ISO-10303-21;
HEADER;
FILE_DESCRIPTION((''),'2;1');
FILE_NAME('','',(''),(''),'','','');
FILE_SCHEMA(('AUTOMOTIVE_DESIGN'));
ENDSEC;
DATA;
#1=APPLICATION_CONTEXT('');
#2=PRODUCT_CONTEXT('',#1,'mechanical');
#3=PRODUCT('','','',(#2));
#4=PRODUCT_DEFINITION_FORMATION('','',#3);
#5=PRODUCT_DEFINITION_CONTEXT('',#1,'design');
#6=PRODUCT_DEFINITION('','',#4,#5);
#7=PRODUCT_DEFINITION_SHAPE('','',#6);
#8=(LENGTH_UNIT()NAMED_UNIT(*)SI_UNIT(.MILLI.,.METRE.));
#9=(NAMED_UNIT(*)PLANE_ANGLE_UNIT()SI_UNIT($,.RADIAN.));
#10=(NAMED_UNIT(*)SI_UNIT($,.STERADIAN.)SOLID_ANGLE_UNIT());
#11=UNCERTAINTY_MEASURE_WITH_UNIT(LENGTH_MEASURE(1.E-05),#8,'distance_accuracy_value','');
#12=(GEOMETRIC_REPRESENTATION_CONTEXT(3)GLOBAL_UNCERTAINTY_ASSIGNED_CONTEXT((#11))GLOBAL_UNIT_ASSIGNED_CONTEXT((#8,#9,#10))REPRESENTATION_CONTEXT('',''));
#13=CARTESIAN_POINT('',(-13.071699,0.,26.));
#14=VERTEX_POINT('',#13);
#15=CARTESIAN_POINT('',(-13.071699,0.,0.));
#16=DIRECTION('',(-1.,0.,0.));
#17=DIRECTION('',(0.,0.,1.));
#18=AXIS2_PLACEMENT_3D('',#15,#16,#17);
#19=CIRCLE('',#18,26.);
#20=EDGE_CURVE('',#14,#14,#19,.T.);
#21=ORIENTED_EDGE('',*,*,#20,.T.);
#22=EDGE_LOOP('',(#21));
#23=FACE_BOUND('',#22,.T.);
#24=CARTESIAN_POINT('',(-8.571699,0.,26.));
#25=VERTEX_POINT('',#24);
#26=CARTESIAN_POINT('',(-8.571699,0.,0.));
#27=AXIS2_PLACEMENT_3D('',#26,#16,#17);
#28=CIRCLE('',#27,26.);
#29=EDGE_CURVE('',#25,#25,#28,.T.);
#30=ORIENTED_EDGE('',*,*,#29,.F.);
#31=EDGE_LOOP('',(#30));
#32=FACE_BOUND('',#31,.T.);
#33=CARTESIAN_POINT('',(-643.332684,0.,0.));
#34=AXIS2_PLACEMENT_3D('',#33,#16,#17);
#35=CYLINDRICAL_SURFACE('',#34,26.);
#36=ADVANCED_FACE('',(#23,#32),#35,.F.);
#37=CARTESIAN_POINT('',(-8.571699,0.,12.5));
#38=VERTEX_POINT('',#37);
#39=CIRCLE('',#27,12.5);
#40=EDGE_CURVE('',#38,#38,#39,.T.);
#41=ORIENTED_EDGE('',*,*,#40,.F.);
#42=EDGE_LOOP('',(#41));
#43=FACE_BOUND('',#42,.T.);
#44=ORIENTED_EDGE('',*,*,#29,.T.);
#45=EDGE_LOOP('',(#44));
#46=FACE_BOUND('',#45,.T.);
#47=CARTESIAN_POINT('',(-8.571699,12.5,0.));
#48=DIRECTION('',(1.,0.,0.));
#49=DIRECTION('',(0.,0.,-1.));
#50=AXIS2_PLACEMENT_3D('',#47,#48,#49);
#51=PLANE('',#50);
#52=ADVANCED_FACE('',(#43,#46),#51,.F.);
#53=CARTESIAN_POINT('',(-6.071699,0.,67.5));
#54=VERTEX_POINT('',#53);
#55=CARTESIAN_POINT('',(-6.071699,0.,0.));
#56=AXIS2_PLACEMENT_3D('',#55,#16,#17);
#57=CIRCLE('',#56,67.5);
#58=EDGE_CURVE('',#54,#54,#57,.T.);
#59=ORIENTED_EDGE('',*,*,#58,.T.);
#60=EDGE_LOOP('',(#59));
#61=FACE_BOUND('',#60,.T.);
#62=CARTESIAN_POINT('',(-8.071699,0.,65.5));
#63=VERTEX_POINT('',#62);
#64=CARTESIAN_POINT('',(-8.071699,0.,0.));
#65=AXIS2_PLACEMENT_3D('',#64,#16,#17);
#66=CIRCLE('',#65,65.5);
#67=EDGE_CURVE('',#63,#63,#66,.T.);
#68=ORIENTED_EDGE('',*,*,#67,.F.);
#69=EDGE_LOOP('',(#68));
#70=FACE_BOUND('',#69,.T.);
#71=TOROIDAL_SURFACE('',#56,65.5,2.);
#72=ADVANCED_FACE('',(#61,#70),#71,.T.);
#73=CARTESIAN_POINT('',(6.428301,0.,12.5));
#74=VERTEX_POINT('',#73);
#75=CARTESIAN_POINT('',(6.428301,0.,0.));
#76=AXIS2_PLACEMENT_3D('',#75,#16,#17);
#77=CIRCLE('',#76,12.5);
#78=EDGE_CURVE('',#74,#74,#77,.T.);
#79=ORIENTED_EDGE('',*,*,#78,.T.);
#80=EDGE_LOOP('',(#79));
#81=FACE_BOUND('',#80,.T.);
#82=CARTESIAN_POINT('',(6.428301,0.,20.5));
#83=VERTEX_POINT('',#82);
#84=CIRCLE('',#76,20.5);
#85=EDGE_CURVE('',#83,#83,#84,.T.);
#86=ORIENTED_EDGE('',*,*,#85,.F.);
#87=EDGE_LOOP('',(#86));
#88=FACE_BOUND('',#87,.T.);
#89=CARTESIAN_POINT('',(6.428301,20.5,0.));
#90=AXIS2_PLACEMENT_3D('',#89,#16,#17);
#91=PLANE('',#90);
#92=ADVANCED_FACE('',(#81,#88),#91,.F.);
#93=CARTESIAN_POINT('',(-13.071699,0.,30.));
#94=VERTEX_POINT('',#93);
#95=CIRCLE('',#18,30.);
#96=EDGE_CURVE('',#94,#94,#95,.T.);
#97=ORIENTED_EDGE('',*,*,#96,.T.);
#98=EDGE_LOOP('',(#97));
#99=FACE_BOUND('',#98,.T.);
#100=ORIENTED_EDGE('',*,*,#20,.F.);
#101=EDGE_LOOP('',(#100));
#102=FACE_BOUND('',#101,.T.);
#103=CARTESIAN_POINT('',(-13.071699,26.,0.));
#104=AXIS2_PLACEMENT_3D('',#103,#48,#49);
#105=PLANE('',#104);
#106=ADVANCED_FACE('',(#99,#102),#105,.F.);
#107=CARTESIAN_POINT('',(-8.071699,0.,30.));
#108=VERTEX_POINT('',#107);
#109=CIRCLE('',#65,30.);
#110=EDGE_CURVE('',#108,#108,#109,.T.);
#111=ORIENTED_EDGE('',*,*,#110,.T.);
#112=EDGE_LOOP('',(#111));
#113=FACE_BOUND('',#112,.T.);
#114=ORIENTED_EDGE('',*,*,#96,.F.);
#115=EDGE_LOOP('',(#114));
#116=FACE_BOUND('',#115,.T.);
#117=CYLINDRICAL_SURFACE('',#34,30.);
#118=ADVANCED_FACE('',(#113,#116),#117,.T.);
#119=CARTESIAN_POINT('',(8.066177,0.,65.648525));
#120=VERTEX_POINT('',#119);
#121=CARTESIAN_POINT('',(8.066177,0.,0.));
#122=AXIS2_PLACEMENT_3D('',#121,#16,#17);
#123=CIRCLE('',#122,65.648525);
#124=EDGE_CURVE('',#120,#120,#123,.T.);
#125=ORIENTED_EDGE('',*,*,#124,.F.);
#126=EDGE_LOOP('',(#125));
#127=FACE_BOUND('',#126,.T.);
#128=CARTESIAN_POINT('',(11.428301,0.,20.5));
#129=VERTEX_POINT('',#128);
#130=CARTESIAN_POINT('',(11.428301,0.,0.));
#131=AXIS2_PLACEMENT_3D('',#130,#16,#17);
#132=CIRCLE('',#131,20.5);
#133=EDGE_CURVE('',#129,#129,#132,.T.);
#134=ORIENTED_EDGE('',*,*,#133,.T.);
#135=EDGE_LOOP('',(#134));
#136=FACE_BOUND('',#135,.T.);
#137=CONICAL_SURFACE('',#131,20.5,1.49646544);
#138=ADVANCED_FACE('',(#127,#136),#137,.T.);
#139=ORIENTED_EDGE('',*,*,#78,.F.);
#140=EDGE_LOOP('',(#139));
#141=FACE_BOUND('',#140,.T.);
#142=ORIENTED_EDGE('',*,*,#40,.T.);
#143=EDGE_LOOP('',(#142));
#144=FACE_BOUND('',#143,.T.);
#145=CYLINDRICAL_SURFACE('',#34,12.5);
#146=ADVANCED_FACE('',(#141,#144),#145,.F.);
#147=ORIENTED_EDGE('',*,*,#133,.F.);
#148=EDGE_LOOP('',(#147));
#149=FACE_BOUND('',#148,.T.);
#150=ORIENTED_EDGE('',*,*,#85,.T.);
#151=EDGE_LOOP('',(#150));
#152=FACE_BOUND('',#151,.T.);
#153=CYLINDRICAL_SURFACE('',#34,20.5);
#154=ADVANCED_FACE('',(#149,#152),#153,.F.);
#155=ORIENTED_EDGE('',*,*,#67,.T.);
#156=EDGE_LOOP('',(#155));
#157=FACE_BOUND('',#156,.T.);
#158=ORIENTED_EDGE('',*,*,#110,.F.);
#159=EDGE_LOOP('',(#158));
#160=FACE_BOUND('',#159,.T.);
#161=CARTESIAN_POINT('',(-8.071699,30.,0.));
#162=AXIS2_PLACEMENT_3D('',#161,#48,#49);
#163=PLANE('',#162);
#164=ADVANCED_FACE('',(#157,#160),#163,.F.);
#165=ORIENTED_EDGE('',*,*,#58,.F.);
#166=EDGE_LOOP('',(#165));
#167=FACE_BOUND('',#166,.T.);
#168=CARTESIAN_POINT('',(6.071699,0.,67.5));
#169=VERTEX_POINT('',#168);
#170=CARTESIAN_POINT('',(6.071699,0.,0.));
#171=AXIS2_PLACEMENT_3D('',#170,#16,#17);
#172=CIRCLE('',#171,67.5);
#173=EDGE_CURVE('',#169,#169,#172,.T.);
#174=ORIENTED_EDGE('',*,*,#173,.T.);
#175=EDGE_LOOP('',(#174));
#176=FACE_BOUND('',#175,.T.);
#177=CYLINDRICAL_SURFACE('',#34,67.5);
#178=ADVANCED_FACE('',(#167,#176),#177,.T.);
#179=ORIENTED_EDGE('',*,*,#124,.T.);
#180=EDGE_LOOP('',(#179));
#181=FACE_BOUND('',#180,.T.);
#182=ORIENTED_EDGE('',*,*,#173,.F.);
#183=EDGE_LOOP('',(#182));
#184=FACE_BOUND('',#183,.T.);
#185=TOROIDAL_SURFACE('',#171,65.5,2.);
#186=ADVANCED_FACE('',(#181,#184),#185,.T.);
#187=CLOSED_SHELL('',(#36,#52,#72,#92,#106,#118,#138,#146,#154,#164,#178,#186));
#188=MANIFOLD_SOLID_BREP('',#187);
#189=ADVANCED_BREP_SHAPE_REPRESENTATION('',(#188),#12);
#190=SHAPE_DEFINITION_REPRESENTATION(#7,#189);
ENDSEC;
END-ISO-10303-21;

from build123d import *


with BuildPart() as part:
    # Эскиз1 → Повернуть1 (revolve)
    with BuildSketch(Plane.XY):
        with BuildLine():
            Line((6.428300829, 12.5), (-8.571699171, 12.5))
            Line((-8.571699171, 12.5), (-8.571699171, 26))
            Line((-8.571699171, 26), (-13.071699171, 26))
            Line((-13.071699171, 26), (-13.071699171, 30))
            Line((-13.071699171, 30), (-8.071699171, 30))
            Line((-8.071699171, 30), (-8.071699171, 65.5))
            ThreePointArc((-8.071699171, 65.5), (-7.485912733, 66.914213562), (-6.071699171, 67.5))
            Line((-6.071699171, 67.5), (6.071699171, 67.5))
            ThreePointArc((6.071699171, 67.5), (7.432388365, 66.965784745), (8.066176633, 65.648524917))
            Line((8.066176633, 65.648524917), (11.428300829, 20.5))
            Line((11.428300829, 20.5), (6.428300829, 20.5))
            Line((6.428300829, 20.5), (6.428300829, 12.5))
        make_face()
    revolve(axis=Axis((-643.332684128, 0, 0), (1, 0, 0)))


solid = part.part
